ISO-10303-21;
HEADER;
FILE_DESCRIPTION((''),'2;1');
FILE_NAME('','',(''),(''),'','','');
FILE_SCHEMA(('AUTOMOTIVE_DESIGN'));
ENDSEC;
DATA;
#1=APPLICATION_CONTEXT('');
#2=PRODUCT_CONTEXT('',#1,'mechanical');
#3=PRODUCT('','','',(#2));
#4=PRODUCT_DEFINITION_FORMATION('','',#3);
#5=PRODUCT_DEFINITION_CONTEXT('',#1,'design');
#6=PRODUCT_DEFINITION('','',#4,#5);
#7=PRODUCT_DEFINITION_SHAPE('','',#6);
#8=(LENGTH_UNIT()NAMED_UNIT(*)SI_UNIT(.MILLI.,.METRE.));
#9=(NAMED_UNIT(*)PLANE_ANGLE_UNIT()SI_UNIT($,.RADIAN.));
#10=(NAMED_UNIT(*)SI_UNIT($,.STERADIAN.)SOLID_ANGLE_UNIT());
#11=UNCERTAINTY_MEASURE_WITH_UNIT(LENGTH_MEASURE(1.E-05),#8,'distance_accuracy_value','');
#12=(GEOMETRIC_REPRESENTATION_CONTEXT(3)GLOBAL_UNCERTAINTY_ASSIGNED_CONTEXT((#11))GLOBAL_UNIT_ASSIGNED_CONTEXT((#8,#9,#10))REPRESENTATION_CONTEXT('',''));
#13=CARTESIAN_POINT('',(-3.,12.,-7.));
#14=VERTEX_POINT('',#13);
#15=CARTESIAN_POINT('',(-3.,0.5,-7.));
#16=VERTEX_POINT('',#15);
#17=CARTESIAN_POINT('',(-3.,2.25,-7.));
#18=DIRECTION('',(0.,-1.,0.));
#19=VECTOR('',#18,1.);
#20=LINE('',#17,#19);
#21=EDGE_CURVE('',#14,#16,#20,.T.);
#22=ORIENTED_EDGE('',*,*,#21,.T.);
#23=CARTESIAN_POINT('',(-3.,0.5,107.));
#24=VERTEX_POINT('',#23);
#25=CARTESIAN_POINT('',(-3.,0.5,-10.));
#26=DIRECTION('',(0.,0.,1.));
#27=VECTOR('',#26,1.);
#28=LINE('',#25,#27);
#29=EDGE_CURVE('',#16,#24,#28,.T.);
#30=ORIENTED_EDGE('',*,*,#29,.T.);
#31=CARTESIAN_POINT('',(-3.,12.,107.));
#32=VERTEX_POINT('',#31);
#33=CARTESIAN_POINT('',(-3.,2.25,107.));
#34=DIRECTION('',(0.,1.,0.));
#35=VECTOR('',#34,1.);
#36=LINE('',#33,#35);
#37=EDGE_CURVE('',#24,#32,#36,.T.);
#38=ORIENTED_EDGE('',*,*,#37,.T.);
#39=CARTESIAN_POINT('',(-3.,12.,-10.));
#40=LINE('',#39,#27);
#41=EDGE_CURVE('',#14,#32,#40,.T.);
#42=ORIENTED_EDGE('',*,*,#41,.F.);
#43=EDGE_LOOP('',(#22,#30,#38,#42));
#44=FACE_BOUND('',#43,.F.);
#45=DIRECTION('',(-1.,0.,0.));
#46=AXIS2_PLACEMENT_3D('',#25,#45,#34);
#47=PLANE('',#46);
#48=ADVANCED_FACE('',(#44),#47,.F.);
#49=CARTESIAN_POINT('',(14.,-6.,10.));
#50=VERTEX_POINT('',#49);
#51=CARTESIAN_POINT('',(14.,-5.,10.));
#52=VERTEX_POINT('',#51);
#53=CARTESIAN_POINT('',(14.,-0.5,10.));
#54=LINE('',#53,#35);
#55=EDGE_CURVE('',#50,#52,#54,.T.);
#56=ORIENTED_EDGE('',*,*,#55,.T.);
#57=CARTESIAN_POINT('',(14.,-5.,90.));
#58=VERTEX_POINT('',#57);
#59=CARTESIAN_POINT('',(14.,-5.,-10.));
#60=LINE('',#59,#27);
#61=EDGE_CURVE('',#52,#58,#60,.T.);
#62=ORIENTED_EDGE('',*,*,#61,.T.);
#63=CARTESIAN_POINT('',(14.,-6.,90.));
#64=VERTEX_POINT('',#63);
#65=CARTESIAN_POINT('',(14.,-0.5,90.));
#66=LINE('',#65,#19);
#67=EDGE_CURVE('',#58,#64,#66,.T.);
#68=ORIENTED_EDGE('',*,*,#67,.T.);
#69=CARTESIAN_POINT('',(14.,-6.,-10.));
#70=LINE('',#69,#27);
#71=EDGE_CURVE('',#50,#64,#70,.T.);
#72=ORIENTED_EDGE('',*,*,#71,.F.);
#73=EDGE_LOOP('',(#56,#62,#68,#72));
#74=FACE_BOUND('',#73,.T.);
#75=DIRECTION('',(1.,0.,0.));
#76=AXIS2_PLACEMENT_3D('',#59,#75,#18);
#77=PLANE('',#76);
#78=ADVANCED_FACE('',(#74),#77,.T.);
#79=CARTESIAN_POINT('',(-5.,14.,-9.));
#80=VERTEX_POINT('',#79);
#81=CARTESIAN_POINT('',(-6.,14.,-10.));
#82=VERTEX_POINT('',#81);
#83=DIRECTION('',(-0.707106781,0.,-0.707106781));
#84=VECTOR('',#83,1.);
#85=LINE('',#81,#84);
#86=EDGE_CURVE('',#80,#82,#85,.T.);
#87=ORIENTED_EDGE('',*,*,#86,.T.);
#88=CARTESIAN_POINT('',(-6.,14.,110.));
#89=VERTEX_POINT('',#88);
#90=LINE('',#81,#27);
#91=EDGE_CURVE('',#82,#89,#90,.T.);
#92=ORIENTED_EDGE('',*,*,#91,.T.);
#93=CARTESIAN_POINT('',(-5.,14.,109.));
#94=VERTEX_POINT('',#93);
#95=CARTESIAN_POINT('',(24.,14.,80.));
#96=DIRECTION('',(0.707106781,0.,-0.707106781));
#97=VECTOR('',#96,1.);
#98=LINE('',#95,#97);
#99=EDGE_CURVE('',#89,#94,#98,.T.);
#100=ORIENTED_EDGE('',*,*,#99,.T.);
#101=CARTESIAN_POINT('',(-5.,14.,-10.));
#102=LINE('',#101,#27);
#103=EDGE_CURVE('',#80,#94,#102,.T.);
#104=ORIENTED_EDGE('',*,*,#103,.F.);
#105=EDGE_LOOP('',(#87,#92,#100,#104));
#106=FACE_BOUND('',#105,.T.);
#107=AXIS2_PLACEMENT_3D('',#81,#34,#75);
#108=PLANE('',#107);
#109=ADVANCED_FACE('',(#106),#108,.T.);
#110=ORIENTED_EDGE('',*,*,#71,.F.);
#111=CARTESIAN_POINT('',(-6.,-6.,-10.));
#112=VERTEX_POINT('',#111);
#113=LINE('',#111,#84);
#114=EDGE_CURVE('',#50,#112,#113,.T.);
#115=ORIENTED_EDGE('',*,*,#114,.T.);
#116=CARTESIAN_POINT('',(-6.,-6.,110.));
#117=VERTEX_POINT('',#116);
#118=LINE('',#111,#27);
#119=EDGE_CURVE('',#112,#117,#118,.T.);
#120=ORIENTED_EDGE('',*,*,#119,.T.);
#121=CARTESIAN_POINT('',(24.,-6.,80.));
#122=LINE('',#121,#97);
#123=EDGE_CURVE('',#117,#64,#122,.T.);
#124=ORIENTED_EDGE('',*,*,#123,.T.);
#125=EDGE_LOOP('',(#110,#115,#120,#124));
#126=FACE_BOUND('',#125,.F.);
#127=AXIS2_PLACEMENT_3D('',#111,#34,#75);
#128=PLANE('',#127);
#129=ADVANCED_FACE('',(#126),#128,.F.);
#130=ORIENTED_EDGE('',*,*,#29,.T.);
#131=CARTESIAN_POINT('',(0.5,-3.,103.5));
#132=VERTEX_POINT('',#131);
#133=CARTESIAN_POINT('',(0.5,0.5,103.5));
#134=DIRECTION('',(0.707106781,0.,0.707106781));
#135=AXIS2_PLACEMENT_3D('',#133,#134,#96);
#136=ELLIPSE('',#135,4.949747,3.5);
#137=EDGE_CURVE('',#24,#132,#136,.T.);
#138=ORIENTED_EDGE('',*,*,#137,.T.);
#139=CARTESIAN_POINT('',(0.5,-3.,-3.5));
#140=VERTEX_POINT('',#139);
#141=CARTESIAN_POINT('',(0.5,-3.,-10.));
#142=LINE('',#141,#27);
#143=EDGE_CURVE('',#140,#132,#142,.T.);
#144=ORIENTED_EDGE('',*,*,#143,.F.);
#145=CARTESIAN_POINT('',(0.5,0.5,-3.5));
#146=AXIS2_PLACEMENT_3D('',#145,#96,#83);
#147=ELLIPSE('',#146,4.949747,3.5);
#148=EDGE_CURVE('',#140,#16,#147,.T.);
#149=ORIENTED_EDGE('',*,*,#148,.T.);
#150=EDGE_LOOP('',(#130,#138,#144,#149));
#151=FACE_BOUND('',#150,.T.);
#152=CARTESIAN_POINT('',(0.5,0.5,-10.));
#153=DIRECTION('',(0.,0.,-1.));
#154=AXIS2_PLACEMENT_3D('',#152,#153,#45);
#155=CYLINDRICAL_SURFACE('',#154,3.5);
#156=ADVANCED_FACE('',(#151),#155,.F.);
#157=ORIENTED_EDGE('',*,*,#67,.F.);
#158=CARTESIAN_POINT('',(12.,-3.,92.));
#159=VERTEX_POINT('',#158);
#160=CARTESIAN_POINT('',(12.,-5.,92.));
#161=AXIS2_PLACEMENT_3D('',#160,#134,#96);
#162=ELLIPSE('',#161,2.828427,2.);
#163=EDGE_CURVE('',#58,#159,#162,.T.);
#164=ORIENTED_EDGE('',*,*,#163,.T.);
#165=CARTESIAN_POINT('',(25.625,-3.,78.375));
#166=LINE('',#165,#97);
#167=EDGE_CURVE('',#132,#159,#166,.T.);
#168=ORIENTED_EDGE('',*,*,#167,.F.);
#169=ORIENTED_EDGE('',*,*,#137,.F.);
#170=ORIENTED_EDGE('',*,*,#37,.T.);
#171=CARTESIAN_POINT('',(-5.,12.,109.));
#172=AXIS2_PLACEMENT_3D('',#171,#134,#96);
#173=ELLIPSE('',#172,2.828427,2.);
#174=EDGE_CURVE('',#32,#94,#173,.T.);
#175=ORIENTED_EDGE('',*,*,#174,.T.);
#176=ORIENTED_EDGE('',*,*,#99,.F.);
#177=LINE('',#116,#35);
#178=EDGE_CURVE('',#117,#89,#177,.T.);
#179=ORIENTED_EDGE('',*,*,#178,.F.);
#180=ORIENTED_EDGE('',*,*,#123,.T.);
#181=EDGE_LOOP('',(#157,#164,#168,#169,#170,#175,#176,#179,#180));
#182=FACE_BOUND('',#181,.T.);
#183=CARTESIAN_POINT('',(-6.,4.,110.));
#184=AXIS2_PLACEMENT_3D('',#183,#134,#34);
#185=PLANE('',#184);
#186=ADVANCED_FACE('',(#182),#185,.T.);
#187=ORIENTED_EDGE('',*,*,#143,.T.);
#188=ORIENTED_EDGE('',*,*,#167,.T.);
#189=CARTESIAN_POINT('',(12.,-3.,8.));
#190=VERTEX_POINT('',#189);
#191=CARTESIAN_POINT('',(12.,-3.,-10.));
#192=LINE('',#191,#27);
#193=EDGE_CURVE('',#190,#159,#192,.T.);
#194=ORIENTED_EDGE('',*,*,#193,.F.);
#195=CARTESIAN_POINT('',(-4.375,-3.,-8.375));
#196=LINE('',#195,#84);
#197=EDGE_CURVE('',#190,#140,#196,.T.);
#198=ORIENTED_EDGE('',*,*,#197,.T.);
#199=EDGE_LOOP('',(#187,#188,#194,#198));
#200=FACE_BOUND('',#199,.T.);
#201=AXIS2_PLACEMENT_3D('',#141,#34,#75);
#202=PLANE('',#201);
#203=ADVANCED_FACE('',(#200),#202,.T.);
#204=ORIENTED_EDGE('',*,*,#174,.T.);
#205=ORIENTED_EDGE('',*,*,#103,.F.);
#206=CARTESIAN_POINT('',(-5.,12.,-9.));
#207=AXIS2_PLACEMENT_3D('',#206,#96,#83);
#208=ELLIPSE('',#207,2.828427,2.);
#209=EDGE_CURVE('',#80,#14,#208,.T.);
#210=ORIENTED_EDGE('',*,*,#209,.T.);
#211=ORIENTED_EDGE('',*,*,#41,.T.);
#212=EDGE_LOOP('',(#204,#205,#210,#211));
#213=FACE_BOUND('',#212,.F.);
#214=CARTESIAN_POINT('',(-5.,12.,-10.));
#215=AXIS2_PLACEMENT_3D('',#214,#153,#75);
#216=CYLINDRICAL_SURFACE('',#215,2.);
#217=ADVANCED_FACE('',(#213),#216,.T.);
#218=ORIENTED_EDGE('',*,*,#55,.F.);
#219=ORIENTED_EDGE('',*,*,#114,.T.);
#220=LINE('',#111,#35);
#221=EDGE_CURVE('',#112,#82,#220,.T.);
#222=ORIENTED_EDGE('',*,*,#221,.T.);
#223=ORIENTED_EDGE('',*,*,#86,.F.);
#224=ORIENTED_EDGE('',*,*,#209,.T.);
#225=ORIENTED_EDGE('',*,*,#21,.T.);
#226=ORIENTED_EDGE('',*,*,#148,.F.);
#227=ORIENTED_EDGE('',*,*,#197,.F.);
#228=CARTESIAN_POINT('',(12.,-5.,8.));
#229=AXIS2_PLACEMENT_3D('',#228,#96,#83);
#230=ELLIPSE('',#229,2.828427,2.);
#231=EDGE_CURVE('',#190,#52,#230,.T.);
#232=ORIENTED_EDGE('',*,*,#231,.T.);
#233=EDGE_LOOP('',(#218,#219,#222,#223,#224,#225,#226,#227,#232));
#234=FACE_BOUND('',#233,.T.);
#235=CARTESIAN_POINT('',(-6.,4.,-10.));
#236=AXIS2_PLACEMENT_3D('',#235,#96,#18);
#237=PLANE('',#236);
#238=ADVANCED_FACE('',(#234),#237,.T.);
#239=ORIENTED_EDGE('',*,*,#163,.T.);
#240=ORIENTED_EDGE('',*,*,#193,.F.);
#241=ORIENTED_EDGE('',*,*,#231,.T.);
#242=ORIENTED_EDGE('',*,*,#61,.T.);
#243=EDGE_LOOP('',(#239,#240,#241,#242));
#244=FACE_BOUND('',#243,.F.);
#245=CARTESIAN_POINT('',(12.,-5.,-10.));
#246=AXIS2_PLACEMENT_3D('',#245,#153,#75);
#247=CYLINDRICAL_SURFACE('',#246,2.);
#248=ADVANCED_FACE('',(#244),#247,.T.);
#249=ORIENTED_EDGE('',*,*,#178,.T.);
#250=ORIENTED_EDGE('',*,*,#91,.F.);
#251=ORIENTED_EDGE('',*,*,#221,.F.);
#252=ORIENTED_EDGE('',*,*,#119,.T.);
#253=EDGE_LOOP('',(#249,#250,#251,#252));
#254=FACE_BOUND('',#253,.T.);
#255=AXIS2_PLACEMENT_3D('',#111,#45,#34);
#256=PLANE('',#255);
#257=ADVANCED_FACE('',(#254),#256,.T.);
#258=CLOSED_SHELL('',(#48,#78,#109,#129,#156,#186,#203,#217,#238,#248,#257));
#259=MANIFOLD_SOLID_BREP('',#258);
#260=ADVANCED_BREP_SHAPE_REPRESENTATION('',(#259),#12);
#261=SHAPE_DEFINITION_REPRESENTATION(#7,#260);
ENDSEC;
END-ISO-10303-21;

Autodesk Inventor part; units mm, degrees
ref_plane "Start plane" through (0, 0, -10) normal (0, 0, 1) x (1, 0, 0)
ref_plane "End plane" through (0, 0, 110) normal (0, 0, 1) x (1, 0, 0)
sketch "Sketch" plane through (0, 0, 0) normal (0, 0, 1) x (1, 0, 0)
  line L0 (-3, 0.5) -> (-3, 12)
  line L1 (-6, 14) -> (-5, 14)
  line L2 (-6, -6) -> (-6, 14)
  line L3 (-6, -6) -> (14, -6)
  line L4 (14, -5) -> (14, -6)
  line L5 (0.5, -3) -> (12, -3)
  arc A0 (-3, 0.5) -> (0.5, -3) centre (0.5, 0.5) ccw
  arc A1 (-3, 12) -> (-5, 14) centre (-5, 12) ccw
  arc A2 (14, -5) -> (12, -3) centre (12, -5) ccw
  line L6 (0, 18.4971) -> (0, -10.0828) construction
  line L7 (-10.0828, 0) -> (18.4971, 0) construction
  point P0 (-3, -3)
  point P1 (-3, 14)
  point P2 (14, -3)
  dimension "d4" = 20
  dimension "d6" = 20
  dimension "d8" = 3
  dimension "d10" = 3
  dimension "d17" = 3.5
  dimension "d18" = 2
  dimension "d19" = 6
  dimension "d20" = 6
extrude "Body" add sketch "Sketch" along normal up to surface (120 mm away) from surface at -10
sketch "Sketch3" plane through (0, 0, 0) normal (0, 0, 1) x (1, 0, 0)
  line L0 (0, 0) -> (10, 0)
ref_plane "Work Plane10" through (0, 0, 0) normal (0, -1, 0) x (1, 0, 0)
sketch "Sketch4" plane through (0, 0, 0) normal (0, -1, 0) x (1, 0, 0)
  line L0 (-2, -10) -> (12, -10)
  line L1 (-2, 110) -> (12, 110)
  dimension "d24" = 120
ref_plane "Work Plane11" through (-6, 4, 110) normal (0.7071, 0, 0.7071) x (0.7071, 0, -0.7071)
split "Split1" plane through (-6, 4, 110) removes the side toward (0.7071, 0, 0.7071)
ref_plane "Work Plane12" through (-6, 4, -10) normal (0.7071, 0, -0.7071) x (-0.7071, 0, -0.7071)
split "Split2" plane through (-6, 4, -10) removes the side toward (0.7071, 0, -0.7071)
equation "\"d4\" = b"
equation "\"d6\" = b"
equation "\"d8\" = ParT"
equation "\"d10\" = ParT"
equation "\"d17\" = R"
equation "\"d18\" = R1"
equation "\"d19\" = ex"
equation "\"d20\" = d19"
equation "\"d11\" = G_L"
equation "\"b\" = 20"
equation "\"ParT\" = 3"
equation "\"R\" = 3.5"
equation "\"R1\" = 2"
equation "\"G_L\" = d24"
equation "\"ex\" = 6"
equation "\"G_OFFSET_START\" = 10"
equation "\"G_OFFSET_END\" = 10"
equation "\"d21\" = -G_OFFSET_START"
equation "\"d22\" = G_OFFSET_END + B_L"
equation "\"B_L\" = 100"
properties part number "ISO 657-1 - L20x20x3-120" material "Stainless Steel"
